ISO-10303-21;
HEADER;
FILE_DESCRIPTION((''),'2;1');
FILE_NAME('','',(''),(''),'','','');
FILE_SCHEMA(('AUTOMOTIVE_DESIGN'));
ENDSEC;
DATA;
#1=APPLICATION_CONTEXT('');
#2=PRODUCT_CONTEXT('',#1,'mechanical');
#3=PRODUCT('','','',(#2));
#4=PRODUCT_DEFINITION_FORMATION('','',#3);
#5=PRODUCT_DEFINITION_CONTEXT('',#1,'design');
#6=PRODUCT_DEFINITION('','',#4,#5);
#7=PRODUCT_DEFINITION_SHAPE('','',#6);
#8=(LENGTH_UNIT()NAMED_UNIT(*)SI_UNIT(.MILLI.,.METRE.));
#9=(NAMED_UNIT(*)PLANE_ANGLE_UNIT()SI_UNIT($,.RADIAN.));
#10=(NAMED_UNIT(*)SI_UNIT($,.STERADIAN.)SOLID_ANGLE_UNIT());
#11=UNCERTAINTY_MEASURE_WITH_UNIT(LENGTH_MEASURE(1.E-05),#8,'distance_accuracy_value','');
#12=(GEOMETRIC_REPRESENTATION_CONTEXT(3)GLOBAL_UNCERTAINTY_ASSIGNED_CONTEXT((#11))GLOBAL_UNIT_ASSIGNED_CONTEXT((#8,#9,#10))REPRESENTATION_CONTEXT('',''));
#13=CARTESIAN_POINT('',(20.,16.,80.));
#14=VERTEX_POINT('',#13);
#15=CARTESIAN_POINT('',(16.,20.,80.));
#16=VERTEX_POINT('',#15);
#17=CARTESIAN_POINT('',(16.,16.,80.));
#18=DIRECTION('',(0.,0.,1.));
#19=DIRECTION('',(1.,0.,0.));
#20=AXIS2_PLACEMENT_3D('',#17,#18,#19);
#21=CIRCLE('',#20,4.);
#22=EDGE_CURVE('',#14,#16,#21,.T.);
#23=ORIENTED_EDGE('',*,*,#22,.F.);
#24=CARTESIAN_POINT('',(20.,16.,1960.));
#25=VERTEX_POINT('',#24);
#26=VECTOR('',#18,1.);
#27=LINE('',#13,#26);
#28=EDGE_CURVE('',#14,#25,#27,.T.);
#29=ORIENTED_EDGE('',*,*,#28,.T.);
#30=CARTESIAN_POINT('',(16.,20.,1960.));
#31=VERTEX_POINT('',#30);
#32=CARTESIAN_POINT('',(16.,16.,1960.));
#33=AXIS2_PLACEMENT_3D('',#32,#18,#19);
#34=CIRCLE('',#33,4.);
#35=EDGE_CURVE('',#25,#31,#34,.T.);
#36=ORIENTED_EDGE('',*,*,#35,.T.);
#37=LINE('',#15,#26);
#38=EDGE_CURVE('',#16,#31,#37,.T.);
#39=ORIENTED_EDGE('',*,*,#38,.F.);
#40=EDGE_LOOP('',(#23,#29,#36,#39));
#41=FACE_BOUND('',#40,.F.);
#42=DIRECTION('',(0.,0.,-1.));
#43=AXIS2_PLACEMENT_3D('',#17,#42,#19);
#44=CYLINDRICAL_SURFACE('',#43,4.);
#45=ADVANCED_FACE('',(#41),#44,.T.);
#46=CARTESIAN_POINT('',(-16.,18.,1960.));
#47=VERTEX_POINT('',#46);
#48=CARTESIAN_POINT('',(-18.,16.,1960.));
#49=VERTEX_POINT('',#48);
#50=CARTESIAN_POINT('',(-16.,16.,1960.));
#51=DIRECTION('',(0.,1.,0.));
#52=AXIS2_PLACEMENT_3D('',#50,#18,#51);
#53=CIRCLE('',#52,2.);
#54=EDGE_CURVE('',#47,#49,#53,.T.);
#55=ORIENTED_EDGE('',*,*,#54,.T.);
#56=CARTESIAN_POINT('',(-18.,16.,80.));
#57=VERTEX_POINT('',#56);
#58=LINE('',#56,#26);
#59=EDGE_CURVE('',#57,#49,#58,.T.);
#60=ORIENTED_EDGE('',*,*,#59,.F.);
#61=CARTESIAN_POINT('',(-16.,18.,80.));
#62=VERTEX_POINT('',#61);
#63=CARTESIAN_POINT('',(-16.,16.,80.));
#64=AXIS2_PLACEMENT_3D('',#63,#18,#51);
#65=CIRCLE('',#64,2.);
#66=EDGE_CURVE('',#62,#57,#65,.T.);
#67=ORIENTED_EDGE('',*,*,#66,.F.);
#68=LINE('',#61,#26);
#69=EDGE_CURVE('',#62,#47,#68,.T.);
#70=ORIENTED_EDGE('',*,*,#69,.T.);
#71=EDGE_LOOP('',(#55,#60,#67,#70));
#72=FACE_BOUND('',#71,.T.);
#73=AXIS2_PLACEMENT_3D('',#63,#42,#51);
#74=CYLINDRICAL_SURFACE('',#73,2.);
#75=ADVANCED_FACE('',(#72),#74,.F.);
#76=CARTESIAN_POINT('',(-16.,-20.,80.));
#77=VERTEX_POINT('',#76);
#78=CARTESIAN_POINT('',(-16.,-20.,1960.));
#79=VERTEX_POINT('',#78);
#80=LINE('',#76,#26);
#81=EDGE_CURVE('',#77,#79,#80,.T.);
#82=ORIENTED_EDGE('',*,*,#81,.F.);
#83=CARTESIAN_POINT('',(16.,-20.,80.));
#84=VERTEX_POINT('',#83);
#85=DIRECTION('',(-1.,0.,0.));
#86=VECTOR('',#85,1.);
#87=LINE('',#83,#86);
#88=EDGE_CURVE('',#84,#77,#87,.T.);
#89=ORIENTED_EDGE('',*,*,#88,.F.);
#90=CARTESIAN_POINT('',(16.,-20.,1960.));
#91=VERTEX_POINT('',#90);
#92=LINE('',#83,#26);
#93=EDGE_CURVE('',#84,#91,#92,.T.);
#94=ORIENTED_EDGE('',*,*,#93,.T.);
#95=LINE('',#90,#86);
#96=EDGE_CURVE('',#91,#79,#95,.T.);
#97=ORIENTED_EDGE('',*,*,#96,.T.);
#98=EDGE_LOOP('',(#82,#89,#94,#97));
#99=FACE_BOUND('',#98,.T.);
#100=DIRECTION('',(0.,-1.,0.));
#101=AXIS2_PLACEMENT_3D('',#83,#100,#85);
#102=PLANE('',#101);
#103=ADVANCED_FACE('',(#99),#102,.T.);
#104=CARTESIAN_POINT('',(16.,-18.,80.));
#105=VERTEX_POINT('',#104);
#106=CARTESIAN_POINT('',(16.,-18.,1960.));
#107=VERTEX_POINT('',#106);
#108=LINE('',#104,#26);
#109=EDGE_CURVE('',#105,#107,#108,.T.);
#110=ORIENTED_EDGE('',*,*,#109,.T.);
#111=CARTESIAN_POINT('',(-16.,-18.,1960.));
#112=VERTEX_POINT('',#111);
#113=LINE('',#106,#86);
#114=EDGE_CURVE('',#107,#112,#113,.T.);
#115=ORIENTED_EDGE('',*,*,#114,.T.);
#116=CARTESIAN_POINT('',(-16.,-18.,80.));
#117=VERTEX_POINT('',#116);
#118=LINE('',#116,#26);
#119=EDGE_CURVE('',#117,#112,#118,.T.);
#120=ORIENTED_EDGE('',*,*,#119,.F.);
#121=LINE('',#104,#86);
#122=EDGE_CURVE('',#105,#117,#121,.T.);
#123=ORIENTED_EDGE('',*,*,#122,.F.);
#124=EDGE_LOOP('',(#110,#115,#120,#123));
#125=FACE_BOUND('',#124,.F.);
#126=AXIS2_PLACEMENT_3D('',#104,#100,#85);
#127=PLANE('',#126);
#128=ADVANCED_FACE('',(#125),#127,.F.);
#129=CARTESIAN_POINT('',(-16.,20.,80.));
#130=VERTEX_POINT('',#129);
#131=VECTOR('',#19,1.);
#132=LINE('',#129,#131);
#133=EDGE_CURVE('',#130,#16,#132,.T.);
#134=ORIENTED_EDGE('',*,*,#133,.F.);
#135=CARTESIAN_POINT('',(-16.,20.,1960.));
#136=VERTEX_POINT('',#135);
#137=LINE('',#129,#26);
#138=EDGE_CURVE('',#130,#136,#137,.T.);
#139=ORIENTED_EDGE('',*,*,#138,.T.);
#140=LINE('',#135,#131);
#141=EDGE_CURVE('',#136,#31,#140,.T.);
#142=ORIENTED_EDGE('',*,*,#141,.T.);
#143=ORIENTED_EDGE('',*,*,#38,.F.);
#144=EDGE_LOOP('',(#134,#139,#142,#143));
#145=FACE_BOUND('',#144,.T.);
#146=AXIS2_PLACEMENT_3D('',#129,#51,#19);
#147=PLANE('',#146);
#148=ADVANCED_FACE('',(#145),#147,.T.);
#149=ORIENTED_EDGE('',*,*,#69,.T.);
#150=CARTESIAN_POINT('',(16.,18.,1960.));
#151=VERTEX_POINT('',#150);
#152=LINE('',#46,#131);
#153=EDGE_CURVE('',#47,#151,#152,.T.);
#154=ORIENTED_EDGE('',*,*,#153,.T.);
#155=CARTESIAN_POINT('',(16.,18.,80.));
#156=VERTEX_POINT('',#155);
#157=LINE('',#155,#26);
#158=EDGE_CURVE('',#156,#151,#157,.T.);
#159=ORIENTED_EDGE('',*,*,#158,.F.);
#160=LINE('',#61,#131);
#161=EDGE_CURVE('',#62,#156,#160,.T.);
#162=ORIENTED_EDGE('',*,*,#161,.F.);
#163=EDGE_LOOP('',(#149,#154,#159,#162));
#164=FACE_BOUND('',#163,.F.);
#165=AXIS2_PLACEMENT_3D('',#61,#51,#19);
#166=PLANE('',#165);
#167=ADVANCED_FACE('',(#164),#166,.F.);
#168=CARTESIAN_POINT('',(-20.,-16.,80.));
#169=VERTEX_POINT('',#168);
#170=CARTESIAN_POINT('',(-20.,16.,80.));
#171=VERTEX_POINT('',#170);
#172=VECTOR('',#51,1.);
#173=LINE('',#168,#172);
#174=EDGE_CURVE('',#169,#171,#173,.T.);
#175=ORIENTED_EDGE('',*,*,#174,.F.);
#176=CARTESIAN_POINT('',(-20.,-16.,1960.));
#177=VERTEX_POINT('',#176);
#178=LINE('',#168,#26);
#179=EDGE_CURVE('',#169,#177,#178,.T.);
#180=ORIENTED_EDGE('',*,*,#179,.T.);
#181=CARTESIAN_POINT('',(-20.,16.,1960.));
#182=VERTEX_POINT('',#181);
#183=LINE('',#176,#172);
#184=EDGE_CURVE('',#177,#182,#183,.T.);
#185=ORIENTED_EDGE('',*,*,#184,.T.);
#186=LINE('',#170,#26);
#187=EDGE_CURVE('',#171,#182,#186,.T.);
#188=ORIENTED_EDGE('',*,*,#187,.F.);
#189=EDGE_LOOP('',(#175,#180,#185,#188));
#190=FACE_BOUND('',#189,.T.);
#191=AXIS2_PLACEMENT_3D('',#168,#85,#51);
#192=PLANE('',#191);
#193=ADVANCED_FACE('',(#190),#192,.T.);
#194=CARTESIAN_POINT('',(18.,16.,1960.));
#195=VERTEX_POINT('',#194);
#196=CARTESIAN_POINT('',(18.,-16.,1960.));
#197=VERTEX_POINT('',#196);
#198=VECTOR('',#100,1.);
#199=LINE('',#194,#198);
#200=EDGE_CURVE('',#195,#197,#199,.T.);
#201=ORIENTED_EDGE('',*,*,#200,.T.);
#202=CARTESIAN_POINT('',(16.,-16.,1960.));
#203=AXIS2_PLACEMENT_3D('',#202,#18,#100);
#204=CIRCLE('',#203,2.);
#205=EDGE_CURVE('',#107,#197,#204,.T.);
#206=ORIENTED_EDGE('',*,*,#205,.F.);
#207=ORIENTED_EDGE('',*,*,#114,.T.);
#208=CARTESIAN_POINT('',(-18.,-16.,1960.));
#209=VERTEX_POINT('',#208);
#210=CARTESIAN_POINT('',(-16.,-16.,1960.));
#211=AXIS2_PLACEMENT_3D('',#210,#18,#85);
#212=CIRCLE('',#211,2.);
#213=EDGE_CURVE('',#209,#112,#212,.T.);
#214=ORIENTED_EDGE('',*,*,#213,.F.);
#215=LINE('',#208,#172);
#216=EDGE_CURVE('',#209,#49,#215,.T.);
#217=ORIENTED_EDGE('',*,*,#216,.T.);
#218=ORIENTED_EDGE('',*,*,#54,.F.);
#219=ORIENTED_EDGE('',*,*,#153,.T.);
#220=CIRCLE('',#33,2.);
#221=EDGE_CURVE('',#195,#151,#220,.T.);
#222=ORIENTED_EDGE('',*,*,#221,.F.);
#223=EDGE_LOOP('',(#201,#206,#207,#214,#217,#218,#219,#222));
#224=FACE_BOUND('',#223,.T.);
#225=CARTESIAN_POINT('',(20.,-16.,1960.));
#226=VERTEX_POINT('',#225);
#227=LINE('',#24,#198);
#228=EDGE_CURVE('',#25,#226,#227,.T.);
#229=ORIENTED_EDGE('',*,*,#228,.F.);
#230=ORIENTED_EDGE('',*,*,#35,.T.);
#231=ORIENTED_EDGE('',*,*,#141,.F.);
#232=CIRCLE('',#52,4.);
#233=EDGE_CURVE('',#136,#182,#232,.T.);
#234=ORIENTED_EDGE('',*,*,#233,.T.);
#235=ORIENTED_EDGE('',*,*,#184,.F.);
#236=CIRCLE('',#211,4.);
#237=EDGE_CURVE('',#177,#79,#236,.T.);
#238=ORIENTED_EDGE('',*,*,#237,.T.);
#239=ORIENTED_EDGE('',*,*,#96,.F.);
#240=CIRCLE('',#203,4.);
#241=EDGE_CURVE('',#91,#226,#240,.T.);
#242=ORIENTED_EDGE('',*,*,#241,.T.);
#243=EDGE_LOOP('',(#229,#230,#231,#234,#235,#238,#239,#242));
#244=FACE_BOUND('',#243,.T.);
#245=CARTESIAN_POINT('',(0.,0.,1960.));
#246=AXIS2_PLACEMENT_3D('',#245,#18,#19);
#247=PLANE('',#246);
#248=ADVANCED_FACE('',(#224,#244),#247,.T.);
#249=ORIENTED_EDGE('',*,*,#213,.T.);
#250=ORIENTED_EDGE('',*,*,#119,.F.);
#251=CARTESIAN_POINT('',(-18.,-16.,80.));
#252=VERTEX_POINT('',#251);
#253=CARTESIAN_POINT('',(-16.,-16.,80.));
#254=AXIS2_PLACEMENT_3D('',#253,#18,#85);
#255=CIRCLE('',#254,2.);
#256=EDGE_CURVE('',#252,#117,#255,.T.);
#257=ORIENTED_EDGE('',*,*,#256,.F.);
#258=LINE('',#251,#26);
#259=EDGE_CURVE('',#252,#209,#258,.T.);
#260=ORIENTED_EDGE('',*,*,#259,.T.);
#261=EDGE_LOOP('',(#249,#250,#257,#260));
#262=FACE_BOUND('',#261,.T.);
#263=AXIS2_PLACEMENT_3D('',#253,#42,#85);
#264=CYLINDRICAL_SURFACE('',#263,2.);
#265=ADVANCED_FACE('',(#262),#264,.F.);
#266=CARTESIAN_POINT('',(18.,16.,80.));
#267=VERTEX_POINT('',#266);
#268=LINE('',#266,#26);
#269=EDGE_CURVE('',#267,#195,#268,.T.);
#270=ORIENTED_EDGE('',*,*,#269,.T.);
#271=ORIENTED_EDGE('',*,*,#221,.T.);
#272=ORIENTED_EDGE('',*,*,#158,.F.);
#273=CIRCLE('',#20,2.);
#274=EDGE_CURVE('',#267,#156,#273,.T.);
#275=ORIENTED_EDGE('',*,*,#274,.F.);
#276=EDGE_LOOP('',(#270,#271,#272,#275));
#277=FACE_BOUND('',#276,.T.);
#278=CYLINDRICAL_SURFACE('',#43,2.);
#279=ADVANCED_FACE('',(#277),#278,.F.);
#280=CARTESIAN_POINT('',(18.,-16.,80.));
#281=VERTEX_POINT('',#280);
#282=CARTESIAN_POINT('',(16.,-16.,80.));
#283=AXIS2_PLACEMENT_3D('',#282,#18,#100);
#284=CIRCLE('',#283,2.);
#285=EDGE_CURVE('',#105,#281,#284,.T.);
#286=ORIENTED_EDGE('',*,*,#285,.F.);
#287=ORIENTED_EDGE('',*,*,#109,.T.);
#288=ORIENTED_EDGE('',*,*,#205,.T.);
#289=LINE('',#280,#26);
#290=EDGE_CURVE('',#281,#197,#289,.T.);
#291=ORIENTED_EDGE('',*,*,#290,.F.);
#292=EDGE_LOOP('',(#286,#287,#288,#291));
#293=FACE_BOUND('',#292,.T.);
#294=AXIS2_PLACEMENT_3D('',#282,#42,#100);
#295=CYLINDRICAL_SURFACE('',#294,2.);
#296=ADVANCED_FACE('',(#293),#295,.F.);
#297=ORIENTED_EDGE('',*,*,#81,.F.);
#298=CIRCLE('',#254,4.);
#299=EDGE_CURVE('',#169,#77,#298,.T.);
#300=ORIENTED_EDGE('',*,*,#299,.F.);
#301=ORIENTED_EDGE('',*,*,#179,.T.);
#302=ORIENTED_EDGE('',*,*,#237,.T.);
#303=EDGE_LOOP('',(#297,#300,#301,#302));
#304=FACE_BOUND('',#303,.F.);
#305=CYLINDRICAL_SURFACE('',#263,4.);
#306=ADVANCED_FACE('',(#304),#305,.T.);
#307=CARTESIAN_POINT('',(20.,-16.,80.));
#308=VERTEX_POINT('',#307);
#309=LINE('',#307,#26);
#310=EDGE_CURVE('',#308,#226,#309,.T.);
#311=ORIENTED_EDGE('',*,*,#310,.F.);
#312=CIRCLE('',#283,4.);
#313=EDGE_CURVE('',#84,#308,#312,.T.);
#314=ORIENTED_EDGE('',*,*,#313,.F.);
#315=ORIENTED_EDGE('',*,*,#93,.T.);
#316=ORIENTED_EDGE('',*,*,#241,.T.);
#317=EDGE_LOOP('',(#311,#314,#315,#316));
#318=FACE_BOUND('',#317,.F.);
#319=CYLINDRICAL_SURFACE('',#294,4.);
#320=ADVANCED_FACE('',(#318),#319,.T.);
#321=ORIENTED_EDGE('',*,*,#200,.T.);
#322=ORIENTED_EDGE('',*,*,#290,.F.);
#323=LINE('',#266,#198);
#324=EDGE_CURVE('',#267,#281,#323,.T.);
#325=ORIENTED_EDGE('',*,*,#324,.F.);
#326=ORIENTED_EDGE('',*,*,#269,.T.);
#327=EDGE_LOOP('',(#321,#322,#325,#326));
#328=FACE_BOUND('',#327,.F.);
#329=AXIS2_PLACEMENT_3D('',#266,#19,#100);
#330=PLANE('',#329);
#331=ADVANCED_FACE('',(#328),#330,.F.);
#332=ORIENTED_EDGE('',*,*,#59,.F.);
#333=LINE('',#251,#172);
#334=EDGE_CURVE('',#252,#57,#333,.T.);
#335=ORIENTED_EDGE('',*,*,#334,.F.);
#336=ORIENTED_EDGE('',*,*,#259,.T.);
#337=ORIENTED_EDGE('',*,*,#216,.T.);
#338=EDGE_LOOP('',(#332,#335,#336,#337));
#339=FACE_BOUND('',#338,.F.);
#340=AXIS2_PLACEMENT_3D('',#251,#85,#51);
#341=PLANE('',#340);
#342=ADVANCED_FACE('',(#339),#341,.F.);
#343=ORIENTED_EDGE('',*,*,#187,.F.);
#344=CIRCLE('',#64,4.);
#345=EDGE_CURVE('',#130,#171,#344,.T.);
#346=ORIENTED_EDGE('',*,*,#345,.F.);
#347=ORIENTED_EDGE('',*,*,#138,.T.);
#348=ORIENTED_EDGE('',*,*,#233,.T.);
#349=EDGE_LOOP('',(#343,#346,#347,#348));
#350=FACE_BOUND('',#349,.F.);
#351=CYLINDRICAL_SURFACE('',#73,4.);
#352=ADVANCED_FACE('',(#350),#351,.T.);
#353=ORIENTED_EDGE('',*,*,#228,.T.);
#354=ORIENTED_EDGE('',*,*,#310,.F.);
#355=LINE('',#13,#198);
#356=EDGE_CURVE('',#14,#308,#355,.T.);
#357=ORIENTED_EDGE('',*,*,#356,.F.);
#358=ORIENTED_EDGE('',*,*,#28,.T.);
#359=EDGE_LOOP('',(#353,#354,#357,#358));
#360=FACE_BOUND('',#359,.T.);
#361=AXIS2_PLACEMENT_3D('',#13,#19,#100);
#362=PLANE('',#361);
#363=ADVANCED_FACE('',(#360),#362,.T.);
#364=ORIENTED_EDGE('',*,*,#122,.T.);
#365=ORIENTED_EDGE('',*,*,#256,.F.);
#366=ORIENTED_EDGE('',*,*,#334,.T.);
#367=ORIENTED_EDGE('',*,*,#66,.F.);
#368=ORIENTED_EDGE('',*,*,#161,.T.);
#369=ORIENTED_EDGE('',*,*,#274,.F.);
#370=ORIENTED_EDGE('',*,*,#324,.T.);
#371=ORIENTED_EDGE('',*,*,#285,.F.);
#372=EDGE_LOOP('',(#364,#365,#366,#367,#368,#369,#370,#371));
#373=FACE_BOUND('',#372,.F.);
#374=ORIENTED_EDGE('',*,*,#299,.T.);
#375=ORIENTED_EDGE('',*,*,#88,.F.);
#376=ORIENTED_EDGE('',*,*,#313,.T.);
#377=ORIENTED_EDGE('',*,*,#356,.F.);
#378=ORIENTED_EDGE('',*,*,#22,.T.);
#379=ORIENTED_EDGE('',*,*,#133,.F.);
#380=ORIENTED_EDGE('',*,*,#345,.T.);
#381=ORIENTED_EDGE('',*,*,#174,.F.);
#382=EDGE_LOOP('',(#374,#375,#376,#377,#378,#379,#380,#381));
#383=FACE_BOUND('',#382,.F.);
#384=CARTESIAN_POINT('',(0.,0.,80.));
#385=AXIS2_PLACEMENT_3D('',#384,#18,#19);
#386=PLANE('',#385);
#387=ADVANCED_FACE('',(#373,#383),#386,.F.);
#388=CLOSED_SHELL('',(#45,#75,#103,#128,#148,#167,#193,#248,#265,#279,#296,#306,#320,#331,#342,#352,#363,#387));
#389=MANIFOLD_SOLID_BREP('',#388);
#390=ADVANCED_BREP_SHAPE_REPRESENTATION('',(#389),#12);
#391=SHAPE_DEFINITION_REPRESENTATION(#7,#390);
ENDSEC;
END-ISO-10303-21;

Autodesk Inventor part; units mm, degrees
ref_plane "YZ Plane" through (0, 0, 0) normal (1, 0, 0) x (0, 1, 0)
ref_plane "Start Plane" through (0, 0, 80) normal (0, 0, 1) x (1, 0, 0)
ref_plane "End Plane" through (0, 0, 1960) normal (0, 0, 1) x (1, 0, 0)
sketch "Sketch" plane through (0, 0, 0) normal (0, 0, 1) x (1, 0, 0)
  line L0 (-20, -16) -> (-20, 16)
  line L1 (-16, 20) -> (16, 20)
  line L2 (20, 16) -> (20, -16)
  line L3 (16, -20) -> (-16, -20)
  arc A0 (-20, -16) -> (-16, -20) centre (-16, -16) ccw
  arc A1 (20, 16) -> (16, 20) centre (16, 16) ccw
  arc A2 (-16, 20) -> (-20, 16) centre (-16, 16) ccw
  arc A3 (16, -20) -> (20, -16) centre (16, -16) ccw
  arc A4 (-16, 18) -> (-18, 16) centre (-16, 16) ccw
  line L4 (-16, 18) -> (16, 18)
  arc A5 (18, 16) -> (16, 18) centre (16, 16) ccw
  line L5 (18, 16) -> (18, -16)
  arc A6 (16, -18) -> (18, -16) centre (16, -16) ccw
  line L6 (16, -18) -> (-16, -18)
  arc A7 (-18, -16) -> (-16, -18) centre (-16, -16) ccw
  line L7 (-18, -16) -> (-18, 16)
  line L8 (0, 29.1598) -> (0, -29.1598) construction
  line L9 (-29.1598, 0) -> (29.1598, 0) construction
  dimension "d7" = 4
  dimension "d9" = 40
  dimension "d11" = 40
  dimension "d12" = 2
  dimension "d15" = 20
  dimension "d16" = 20
extrude "Body" add sketch "Sketch" along normal up to surface (1880 mm away) from surface at 80
sketch "Sketch3" plane through (0, 0, 0) normal (0, 0, 1) x (1, 0, 0)
  line L0 (0, 0) -> (10, 0)
ref_plane "Work Plane3" through (0, 0, 0) normal (0, -1, 0) x (1, 0, 0)
sketch "Sketch4" plane through (0, 0, 0) normal (0, -1, 0) x (1, 0, 0)
  line L0 (-2, 80) -> (12, 80) projected
  line L1 (-2, 1960) -> (12, 1960) projected
  dimension "d18" = 1880
equation "\"d7\" = G_IR"
equation "\"d9\" = G_W"
equation "\"d11\" = G_H"
equation "\"d12\" = G_T"
equation "\"d15\" = 0.5 * d9"
equation "\"d16\" = 0.5 * d11"
equation "\"d3\" = G_L"
equation "\"G_W\" = 40"
equation "\"G_H\" = 40"
equation "\"G_T\" = 2"
equation "\"G_IR\" = 4"
equation "\"G_L\" = d18"
properties part number "ISO 4019 - 40x40x2 - 1880" material "Steel, Mild"
